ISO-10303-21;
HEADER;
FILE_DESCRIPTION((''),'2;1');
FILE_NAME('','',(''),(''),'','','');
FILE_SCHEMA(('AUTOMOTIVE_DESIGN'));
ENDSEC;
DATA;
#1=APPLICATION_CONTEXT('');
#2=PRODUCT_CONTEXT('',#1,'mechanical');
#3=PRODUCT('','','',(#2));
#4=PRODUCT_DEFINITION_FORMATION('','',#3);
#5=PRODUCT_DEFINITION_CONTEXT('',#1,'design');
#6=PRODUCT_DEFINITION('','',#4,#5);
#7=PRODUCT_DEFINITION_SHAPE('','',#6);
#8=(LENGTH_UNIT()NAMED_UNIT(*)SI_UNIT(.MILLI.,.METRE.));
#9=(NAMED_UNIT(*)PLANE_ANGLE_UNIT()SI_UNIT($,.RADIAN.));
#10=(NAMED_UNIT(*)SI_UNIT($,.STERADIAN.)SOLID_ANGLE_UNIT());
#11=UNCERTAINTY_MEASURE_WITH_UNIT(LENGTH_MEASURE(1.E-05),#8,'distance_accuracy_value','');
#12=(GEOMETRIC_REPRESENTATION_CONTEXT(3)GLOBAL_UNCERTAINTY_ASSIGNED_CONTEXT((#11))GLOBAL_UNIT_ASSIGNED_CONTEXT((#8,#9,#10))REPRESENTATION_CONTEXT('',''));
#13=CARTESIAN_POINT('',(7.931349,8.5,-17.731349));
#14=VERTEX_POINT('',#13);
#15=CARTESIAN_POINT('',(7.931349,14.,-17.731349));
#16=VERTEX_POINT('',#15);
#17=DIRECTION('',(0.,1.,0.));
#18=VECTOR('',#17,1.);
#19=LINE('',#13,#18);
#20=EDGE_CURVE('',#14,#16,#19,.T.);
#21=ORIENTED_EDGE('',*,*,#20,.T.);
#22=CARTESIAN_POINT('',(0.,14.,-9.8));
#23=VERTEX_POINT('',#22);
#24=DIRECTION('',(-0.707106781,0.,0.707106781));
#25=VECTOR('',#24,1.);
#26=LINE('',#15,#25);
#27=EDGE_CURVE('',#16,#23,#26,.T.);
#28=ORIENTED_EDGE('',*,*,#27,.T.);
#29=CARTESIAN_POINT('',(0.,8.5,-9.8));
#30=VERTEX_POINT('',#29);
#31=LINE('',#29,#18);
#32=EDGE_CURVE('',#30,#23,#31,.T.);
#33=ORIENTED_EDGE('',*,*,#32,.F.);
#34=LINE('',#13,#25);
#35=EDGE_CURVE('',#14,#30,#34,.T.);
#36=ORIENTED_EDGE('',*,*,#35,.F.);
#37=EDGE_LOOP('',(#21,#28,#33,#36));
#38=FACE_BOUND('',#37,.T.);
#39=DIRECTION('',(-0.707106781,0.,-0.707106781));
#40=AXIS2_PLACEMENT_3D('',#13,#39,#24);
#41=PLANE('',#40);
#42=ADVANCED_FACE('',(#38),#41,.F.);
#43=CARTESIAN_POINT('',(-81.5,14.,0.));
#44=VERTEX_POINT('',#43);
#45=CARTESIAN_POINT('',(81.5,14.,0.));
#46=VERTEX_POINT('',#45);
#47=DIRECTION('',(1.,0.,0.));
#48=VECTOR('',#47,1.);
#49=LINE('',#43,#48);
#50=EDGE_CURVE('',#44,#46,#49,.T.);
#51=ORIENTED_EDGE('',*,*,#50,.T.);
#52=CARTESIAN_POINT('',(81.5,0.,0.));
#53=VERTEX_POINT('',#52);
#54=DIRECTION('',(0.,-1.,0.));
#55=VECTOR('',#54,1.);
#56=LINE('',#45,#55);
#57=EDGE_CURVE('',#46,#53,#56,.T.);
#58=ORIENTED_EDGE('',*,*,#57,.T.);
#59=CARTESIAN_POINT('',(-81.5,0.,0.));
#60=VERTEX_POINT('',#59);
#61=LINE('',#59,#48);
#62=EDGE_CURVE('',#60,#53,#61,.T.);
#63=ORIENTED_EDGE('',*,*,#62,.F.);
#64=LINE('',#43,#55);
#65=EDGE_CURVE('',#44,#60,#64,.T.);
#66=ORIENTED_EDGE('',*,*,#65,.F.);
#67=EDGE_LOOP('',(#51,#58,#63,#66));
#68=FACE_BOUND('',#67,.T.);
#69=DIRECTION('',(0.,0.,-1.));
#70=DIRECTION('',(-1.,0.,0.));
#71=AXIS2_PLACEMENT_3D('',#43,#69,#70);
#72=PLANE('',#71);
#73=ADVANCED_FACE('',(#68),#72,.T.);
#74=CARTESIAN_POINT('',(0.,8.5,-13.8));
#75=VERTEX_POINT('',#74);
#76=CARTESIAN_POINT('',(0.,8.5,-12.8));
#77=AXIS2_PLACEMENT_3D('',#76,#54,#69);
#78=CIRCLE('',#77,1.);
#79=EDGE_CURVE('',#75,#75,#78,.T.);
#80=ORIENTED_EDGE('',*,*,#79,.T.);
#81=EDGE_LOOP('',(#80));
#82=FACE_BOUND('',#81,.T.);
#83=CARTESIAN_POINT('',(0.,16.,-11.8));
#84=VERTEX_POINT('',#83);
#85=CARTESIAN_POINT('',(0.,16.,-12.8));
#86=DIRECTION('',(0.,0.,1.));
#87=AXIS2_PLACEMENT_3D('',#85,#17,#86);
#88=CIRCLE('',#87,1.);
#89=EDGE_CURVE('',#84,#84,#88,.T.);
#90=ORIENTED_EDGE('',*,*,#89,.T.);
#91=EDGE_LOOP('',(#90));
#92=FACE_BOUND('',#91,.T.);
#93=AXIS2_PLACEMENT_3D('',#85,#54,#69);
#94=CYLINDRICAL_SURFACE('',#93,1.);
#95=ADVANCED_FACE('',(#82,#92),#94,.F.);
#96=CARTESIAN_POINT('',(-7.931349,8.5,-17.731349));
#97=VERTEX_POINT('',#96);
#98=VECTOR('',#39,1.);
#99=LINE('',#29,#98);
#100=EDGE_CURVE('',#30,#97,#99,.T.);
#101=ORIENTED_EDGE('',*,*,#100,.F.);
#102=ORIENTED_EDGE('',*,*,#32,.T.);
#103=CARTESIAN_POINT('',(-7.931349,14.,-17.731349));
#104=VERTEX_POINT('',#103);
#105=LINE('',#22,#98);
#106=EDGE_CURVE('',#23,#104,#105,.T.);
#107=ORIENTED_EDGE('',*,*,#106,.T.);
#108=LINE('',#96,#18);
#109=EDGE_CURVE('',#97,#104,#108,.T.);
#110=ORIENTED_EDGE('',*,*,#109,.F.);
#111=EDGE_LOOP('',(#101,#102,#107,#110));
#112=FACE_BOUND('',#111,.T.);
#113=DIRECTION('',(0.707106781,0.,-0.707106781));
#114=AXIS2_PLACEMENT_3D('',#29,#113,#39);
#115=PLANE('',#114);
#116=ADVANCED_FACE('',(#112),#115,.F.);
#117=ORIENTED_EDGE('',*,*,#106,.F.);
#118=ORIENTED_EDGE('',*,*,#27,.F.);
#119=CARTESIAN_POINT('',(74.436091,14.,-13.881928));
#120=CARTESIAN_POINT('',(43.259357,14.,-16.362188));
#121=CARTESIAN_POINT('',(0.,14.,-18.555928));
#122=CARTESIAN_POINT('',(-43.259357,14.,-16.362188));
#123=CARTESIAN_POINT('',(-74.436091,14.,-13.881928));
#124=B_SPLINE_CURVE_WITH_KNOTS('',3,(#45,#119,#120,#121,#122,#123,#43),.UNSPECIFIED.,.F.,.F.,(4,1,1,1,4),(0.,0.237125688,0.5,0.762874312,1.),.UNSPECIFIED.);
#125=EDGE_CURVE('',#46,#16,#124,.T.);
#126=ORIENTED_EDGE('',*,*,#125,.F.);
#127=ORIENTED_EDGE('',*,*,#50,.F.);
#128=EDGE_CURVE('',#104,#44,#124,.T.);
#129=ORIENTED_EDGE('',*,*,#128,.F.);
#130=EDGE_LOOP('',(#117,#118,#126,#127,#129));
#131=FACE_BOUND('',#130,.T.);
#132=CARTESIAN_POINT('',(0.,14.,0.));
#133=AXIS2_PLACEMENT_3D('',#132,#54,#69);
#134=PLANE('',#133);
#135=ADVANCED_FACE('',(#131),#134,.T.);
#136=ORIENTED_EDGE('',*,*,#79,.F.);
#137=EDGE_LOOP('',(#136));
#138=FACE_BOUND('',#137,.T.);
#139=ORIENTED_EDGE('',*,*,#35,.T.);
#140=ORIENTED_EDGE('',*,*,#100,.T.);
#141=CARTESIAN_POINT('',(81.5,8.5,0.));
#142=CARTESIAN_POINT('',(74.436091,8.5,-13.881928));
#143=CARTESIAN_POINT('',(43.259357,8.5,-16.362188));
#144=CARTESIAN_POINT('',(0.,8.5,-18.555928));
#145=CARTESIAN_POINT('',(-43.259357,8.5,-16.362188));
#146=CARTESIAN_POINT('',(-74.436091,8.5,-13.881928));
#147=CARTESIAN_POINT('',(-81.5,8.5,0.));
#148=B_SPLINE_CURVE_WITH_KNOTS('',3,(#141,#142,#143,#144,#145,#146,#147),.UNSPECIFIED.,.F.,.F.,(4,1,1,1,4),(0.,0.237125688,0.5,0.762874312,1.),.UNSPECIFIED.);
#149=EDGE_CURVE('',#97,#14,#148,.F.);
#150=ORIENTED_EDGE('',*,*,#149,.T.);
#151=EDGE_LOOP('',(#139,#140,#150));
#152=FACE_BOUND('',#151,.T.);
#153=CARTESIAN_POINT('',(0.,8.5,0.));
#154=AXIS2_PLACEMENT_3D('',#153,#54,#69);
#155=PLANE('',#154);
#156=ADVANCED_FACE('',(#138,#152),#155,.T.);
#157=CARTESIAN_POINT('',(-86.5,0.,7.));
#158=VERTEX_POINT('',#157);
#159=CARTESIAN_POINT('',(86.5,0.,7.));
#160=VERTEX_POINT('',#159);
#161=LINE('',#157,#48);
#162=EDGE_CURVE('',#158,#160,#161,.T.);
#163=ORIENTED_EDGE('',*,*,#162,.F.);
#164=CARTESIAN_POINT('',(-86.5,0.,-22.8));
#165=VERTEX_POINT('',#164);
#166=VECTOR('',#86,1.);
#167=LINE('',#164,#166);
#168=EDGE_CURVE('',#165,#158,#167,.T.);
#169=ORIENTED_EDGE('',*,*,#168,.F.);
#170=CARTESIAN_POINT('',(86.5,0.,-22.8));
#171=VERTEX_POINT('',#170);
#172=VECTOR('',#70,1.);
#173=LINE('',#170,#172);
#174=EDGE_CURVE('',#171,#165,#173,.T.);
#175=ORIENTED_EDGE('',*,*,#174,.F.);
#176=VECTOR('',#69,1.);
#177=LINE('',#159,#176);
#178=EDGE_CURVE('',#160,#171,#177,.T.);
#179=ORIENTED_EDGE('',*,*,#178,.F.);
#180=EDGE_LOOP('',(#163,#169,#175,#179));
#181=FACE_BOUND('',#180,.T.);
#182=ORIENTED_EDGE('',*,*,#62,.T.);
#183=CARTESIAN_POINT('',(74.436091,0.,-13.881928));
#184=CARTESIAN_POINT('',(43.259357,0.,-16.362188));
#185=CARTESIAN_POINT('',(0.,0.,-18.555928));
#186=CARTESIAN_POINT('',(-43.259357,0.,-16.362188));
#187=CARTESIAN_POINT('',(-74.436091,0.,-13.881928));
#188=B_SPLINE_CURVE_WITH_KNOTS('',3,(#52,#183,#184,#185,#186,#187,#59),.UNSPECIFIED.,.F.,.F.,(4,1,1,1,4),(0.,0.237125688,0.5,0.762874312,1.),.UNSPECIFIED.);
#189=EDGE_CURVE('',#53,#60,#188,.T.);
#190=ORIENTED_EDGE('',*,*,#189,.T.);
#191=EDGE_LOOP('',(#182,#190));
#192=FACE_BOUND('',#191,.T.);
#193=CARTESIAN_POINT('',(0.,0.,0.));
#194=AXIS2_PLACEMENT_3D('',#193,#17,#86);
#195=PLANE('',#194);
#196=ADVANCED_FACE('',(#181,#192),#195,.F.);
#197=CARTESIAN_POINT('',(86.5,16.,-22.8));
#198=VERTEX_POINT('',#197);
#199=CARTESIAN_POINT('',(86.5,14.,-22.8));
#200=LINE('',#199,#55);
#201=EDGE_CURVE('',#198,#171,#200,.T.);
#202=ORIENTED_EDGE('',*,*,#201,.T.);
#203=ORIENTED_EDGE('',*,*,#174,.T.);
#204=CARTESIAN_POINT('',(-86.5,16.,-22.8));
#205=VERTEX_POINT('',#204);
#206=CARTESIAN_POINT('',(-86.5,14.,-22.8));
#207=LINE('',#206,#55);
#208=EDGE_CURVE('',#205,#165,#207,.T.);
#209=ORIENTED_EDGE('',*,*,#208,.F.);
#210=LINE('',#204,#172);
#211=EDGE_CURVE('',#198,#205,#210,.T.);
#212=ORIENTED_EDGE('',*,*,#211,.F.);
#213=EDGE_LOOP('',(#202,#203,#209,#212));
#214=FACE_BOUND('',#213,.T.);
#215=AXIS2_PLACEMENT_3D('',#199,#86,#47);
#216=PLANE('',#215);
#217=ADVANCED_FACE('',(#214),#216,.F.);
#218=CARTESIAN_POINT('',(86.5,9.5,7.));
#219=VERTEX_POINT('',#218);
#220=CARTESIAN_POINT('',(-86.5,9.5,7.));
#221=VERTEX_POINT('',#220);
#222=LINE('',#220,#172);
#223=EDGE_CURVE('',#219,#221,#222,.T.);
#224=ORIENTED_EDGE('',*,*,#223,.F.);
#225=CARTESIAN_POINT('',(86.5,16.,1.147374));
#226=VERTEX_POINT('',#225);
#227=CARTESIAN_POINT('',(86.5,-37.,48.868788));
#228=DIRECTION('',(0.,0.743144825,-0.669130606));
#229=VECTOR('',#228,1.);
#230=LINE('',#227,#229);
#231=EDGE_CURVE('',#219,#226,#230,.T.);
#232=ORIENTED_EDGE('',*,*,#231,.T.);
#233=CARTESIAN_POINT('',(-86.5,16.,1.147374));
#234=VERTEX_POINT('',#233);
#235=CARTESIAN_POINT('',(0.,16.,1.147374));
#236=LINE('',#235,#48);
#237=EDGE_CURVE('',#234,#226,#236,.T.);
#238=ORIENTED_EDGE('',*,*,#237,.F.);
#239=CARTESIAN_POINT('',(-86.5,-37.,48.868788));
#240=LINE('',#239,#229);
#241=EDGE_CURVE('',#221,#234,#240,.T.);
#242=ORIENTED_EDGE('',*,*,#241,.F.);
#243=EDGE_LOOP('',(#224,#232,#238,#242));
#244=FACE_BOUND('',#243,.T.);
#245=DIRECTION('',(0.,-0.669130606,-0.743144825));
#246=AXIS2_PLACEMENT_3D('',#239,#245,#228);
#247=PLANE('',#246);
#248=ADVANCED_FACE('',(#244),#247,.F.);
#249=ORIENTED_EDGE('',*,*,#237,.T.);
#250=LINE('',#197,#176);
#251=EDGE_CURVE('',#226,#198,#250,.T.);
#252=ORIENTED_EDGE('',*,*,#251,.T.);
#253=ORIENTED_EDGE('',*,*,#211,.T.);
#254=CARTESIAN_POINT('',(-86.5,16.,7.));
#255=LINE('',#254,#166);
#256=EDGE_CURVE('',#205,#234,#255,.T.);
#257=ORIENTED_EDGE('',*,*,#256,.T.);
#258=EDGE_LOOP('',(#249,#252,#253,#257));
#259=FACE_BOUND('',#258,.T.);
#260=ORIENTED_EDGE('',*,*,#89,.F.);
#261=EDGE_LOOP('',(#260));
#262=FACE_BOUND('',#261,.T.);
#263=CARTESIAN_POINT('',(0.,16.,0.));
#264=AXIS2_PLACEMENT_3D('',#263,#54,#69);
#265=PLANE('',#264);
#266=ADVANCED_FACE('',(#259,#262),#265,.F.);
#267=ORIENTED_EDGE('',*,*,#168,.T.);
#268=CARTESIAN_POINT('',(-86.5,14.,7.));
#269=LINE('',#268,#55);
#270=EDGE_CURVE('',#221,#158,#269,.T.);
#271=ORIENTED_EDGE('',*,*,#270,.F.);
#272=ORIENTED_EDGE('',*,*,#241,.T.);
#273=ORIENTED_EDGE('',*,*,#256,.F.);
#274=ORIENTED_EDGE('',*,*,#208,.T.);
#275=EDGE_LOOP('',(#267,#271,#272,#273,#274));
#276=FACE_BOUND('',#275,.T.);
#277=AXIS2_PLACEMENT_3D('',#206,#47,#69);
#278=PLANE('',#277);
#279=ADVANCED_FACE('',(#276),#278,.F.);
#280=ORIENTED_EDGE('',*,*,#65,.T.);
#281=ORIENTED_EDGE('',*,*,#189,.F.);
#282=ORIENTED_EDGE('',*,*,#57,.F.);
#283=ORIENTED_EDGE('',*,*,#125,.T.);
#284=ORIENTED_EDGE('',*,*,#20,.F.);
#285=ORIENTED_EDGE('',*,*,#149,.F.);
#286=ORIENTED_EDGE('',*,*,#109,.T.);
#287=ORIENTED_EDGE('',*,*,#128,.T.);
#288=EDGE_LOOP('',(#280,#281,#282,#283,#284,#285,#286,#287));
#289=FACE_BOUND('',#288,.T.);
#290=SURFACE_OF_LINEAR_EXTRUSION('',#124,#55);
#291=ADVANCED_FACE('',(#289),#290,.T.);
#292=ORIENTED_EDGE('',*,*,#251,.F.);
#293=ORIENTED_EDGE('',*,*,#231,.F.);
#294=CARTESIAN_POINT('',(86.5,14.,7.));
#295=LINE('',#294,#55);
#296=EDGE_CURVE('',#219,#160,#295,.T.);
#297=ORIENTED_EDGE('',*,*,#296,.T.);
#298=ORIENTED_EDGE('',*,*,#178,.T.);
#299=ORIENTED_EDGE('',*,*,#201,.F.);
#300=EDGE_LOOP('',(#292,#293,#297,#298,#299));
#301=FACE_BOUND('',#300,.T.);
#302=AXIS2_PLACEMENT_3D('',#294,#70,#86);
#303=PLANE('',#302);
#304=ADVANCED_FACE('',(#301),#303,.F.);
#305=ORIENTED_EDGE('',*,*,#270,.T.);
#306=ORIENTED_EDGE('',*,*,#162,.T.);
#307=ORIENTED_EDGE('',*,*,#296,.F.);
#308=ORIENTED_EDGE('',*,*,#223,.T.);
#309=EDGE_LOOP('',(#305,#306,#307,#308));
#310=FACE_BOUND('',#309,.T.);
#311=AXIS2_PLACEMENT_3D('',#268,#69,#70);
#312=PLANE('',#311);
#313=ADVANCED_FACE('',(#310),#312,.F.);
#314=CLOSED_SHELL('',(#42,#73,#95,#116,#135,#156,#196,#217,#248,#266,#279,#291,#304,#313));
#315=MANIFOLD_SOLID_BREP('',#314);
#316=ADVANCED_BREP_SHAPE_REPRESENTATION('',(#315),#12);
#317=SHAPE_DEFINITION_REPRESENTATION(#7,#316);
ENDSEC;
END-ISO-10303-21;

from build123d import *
from build123d.topology import SkipClean

# Parameters (mm, degrees)
SKETCH2_W               = 173
SKETCH2_H               = 29.8
BOSS_EXTRUDE1_DEPTH     = 14
SKETCH4_W               = 173
SKETCH4_H               = 29.8
SKETCH4_R               = 1
BOSS_EXTRUDE3_DEPTH     = 2
BOSS_EXTRUDE4_START     = 5.5
SKETCH5_R               = 1
BOSS_EXTRUDE4_DEPTH     = 5.5
CUT_EXTRUDE1_DEPTH      = 91.874033815
CUT_EXTRUDE1_DEPTH_BACK = 91.874033815


with BuildPart() as part:
    # Sketch2 → Boss-Extrude1 (new body)
    with BuildSketch(Plane(origin=(0, 0, 0), x_dir=(1, 0, 0), z_dir=(0, 1, 0))):
        with Locations((0, 7.9)):
            Rectangle(SKETCH2_W, SKETCH2_H)
        with BuildLine():
            Line((-81.5, 0), (81.5, 0))
            add(Edge.make_bspline(
                [(-81.5, 0), (-74.436091259, 13.881927863), (-43.259356961, 16.362188276), (0, 18.555927536), (43.259356961, 16.362188276), (74.436091259, 13.881927863), (81.5, 0)],
                knots=[0, 0, 0, 0, 0.237125688, 0.5, 0.762874312, 1, 1, 1, 1], degree=3))
        make_face(mode=Mode.SUBTRACT)
    extrude(amount=BOSS_EXTRUDE1_DEPTH)

    # Sketch4 → Boss-Extrude3 (add)
    with BuildSketch(Plane(origin=(0, 14, 0), x_dir=(1, 0, 0), z_dir=(0, 1, 0))):
        with Locations((0, 7.9)):
            Rectangle(SKETCH4_W, SKETCH4_H)
        with Locations(Location((0, 12.8, 0), (0, 0, 270))):
            Circle(SKETCH4_R, mode=Mode.SUBTRACT)
    extrude(amount=BOSS_EXTRUDE3_DEPTH)

    # Sketch5 → Boss-Extrude4 (add)
    with SkipClean():  # the faces are left unmerged after this step: merging them gives an invalid solid
        with BuildSketch(Plane.XZ.offset(-14).offset(BOSS_EXTRUDE4_START)):
            Polygon((0, -9.8), (-7.931348641, -17.731348641), (-7.931348641, -22.8), (7.931348641, -22.8), (7.931348641, -17.731348641), align=None)
            with Locations(Location((0, -12.8, 0), (0, 0, 270))):
                Circle(SKETCH5_R, mode=Mode.SUBTRACT)
        extrude(amount=-BOSS_EXTRUDE4_DEPTH)

    # Sketch3 → Cut-Extrude1 (cut, two sides: drawn at the far end of the back side and taken through both)
    with SkipClean():  # the faces are left unmerged after this step: merging them gives an invalid solid
        with BuildSketch(Plane(origin=(0, 0, 0), x_dir=(0, 0, -1), z_dir=(1, 0, 0)).offset(-CUT_EXTRUDE1_DEPTH_BACK)):
            Polygon((-48.86878806, -37), (4.996225752, 22.823158451), (1.280501625, 26.168811483), (-52.584512187, -33.654346968), align=None)
        extrude(amount=CUT_EXTRUDE1_DEPTH + CUT_EXTRUDE1_DEPTH_BACK, mode=Mode.SUBTRACT)


solid = part.part
